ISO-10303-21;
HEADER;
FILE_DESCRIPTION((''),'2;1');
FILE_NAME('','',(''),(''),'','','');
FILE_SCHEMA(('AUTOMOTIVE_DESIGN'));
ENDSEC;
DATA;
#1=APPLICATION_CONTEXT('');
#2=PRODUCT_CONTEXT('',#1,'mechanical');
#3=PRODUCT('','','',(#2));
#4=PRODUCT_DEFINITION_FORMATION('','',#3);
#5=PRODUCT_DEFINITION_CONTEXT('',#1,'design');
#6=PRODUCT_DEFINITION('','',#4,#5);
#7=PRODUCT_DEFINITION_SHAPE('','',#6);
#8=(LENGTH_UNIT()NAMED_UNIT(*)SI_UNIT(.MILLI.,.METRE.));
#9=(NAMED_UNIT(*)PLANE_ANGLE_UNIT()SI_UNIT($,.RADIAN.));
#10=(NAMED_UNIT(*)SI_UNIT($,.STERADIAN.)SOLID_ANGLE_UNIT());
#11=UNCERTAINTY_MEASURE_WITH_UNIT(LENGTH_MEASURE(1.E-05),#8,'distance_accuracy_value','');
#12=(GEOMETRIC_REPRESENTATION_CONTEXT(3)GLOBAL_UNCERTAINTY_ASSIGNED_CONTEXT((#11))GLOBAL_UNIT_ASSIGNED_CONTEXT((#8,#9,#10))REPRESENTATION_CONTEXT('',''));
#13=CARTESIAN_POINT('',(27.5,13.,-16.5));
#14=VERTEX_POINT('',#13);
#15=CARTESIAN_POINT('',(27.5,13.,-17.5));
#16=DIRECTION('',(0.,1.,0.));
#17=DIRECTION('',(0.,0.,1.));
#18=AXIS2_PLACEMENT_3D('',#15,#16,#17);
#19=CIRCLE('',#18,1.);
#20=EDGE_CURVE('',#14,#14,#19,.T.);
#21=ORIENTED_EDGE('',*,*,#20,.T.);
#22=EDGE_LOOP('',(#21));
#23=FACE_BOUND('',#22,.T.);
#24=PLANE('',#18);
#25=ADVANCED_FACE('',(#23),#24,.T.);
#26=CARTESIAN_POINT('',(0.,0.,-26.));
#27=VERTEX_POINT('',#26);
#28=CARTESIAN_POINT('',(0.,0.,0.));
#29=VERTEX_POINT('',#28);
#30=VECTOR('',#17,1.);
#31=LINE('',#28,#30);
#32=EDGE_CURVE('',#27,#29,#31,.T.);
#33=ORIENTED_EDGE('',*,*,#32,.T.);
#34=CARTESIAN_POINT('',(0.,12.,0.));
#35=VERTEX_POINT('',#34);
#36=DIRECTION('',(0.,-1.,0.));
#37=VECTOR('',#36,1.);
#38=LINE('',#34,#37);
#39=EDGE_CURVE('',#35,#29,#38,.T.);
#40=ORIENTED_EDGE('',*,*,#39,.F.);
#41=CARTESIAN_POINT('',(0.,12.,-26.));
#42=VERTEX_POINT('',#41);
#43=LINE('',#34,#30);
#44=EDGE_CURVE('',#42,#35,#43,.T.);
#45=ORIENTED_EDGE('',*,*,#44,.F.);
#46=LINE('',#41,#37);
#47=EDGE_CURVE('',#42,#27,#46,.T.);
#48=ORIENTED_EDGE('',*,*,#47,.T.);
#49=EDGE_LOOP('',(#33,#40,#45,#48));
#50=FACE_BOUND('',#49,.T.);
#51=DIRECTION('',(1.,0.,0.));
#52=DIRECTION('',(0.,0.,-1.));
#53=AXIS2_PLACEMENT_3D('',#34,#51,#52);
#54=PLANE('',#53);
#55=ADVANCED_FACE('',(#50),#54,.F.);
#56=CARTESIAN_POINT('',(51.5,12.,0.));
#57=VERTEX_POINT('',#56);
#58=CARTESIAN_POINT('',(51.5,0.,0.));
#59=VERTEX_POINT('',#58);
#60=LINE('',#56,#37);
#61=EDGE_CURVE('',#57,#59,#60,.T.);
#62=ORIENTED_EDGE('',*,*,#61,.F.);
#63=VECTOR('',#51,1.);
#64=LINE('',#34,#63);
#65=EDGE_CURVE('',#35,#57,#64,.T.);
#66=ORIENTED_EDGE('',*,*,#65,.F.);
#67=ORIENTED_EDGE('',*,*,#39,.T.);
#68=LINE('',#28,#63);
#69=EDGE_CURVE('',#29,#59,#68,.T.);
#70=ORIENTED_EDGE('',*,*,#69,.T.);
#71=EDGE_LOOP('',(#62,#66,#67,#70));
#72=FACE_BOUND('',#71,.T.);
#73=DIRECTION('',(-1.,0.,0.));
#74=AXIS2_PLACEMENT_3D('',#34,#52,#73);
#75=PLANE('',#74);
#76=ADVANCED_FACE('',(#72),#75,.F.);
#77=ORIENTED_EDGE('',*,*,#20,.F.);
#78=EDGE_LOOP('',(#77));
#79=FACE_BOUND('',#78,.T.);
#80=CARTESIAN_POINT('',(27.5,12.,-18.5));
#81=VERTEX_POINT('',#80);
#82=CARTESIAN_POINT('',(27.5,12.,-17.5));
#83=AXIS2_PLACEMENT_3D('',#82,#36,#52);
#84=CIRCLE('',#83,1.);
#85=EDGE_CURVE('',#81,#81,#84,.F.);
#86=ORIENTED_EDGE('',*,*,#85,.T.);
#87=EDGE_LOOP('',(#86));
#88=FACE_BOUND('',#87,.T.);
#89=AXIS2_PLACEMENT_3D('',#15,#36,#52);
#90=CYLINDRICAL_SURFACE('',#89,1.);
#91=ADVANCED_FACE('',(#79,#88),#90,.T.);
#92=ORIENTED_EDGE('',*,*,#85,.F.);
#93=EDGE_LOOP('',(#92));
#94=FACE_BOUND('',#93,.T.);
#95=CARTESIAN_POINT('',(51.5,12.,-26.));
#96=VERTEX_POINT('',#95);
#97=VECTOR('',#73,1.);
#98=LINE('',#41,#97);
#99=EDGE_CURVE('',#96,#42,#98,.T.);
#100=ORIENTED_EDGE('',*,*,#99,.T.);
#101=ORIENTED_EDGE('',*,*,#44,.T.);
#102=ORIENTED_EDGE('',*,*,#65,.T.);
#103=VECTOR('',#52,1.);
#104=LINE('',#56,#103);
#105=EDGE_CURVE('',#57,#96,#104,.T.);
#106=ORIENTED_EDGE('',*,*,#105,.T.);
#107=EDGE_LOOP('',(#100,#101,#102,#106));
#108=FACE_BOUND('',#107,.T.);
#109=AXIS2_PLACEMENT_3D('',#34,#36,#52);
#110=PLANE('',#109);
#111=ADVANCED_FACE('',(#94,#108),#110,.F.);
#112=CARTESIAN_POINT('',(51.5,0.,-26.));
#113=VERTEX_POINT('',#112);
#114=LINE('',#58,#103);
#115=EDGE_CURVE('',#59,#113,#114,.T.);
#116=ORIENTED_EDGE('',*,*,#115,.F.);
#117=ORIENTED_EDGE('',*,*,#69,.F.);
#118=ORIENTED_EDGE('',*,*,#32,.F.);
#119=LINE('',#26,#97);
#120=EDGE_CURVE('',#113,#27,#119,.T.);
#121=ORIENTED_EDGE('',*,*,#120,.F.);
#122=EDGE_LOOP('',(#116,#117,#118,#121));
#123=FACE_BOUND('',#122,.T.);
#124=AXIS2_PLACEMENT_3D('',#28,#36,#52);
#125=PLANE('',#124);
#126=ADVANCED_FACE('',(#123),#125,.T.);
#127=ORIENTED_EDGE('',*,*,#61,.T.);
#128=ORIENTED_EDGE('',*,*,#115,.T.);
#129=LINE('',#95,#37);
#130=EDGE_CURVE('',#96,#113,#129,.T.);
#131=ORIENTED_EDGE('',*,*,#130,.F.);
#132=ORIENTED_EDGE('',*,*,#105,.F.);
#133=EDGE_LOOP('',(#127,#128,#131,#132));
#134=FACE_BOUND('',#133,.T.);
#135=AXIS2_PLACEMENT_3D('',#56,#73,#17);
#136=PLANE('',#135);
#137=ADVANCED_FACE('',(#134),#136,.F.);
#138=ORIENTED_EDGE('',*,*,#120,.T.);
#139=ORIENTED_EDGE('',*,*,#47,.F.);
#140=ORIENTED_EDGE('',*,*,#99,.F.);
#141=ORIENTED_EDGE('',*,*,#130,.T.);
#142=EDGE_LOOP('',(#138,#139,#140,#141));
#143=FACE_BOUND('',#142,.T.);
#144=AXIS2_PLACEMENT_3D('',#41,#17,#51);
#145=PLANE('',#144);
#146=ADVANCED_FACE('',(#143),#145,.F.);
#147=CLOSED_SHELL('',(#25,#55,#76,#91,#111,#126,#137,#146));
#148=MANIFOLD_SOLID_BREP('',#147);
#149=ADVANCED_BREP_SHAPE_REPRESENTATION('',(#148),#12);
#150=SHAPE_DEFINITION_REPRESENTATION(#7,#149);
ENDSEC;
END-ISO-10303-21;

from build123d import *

# Parameters (mm, degrees)
SKETCH1_W           = 51.5
SKETCH1_H           = 26
BOSS_EXTRUDE1_DEPTH = 12
SKETCH2_R           = 1
BOSS_EXTRUDE2_DEPTH = 1


with BuildPart() as part:
    # Sketch1 → Boss-Extrude1 (new body)
    with BuildSketch(Plane(origin=(0, 0, 0), x_dir=(1, 0, 0), z_dir=(0, 1, 0))):
        with Locations((25.75, 13)):
            Rectangle(SKETCH1_W, SKETCH1_H)
    extrude(amount=BOSS_EXTRUDE1_DEPTH)

    # Sketch2 → Boss-Extrude2 (add)
    with BuildSketch(Plane(origin=(0, 12, 0), x_dir=(1, 0, 0), z_dir=(0, 1, 0))):
        with Locations(Location((27.5, 17.5, 0), (0, 0, 90))):
            Circle(SKETCH2_R)
    extrude(amount=BOSS_EXTRUDE2_DEPTH)


solid = part.part
